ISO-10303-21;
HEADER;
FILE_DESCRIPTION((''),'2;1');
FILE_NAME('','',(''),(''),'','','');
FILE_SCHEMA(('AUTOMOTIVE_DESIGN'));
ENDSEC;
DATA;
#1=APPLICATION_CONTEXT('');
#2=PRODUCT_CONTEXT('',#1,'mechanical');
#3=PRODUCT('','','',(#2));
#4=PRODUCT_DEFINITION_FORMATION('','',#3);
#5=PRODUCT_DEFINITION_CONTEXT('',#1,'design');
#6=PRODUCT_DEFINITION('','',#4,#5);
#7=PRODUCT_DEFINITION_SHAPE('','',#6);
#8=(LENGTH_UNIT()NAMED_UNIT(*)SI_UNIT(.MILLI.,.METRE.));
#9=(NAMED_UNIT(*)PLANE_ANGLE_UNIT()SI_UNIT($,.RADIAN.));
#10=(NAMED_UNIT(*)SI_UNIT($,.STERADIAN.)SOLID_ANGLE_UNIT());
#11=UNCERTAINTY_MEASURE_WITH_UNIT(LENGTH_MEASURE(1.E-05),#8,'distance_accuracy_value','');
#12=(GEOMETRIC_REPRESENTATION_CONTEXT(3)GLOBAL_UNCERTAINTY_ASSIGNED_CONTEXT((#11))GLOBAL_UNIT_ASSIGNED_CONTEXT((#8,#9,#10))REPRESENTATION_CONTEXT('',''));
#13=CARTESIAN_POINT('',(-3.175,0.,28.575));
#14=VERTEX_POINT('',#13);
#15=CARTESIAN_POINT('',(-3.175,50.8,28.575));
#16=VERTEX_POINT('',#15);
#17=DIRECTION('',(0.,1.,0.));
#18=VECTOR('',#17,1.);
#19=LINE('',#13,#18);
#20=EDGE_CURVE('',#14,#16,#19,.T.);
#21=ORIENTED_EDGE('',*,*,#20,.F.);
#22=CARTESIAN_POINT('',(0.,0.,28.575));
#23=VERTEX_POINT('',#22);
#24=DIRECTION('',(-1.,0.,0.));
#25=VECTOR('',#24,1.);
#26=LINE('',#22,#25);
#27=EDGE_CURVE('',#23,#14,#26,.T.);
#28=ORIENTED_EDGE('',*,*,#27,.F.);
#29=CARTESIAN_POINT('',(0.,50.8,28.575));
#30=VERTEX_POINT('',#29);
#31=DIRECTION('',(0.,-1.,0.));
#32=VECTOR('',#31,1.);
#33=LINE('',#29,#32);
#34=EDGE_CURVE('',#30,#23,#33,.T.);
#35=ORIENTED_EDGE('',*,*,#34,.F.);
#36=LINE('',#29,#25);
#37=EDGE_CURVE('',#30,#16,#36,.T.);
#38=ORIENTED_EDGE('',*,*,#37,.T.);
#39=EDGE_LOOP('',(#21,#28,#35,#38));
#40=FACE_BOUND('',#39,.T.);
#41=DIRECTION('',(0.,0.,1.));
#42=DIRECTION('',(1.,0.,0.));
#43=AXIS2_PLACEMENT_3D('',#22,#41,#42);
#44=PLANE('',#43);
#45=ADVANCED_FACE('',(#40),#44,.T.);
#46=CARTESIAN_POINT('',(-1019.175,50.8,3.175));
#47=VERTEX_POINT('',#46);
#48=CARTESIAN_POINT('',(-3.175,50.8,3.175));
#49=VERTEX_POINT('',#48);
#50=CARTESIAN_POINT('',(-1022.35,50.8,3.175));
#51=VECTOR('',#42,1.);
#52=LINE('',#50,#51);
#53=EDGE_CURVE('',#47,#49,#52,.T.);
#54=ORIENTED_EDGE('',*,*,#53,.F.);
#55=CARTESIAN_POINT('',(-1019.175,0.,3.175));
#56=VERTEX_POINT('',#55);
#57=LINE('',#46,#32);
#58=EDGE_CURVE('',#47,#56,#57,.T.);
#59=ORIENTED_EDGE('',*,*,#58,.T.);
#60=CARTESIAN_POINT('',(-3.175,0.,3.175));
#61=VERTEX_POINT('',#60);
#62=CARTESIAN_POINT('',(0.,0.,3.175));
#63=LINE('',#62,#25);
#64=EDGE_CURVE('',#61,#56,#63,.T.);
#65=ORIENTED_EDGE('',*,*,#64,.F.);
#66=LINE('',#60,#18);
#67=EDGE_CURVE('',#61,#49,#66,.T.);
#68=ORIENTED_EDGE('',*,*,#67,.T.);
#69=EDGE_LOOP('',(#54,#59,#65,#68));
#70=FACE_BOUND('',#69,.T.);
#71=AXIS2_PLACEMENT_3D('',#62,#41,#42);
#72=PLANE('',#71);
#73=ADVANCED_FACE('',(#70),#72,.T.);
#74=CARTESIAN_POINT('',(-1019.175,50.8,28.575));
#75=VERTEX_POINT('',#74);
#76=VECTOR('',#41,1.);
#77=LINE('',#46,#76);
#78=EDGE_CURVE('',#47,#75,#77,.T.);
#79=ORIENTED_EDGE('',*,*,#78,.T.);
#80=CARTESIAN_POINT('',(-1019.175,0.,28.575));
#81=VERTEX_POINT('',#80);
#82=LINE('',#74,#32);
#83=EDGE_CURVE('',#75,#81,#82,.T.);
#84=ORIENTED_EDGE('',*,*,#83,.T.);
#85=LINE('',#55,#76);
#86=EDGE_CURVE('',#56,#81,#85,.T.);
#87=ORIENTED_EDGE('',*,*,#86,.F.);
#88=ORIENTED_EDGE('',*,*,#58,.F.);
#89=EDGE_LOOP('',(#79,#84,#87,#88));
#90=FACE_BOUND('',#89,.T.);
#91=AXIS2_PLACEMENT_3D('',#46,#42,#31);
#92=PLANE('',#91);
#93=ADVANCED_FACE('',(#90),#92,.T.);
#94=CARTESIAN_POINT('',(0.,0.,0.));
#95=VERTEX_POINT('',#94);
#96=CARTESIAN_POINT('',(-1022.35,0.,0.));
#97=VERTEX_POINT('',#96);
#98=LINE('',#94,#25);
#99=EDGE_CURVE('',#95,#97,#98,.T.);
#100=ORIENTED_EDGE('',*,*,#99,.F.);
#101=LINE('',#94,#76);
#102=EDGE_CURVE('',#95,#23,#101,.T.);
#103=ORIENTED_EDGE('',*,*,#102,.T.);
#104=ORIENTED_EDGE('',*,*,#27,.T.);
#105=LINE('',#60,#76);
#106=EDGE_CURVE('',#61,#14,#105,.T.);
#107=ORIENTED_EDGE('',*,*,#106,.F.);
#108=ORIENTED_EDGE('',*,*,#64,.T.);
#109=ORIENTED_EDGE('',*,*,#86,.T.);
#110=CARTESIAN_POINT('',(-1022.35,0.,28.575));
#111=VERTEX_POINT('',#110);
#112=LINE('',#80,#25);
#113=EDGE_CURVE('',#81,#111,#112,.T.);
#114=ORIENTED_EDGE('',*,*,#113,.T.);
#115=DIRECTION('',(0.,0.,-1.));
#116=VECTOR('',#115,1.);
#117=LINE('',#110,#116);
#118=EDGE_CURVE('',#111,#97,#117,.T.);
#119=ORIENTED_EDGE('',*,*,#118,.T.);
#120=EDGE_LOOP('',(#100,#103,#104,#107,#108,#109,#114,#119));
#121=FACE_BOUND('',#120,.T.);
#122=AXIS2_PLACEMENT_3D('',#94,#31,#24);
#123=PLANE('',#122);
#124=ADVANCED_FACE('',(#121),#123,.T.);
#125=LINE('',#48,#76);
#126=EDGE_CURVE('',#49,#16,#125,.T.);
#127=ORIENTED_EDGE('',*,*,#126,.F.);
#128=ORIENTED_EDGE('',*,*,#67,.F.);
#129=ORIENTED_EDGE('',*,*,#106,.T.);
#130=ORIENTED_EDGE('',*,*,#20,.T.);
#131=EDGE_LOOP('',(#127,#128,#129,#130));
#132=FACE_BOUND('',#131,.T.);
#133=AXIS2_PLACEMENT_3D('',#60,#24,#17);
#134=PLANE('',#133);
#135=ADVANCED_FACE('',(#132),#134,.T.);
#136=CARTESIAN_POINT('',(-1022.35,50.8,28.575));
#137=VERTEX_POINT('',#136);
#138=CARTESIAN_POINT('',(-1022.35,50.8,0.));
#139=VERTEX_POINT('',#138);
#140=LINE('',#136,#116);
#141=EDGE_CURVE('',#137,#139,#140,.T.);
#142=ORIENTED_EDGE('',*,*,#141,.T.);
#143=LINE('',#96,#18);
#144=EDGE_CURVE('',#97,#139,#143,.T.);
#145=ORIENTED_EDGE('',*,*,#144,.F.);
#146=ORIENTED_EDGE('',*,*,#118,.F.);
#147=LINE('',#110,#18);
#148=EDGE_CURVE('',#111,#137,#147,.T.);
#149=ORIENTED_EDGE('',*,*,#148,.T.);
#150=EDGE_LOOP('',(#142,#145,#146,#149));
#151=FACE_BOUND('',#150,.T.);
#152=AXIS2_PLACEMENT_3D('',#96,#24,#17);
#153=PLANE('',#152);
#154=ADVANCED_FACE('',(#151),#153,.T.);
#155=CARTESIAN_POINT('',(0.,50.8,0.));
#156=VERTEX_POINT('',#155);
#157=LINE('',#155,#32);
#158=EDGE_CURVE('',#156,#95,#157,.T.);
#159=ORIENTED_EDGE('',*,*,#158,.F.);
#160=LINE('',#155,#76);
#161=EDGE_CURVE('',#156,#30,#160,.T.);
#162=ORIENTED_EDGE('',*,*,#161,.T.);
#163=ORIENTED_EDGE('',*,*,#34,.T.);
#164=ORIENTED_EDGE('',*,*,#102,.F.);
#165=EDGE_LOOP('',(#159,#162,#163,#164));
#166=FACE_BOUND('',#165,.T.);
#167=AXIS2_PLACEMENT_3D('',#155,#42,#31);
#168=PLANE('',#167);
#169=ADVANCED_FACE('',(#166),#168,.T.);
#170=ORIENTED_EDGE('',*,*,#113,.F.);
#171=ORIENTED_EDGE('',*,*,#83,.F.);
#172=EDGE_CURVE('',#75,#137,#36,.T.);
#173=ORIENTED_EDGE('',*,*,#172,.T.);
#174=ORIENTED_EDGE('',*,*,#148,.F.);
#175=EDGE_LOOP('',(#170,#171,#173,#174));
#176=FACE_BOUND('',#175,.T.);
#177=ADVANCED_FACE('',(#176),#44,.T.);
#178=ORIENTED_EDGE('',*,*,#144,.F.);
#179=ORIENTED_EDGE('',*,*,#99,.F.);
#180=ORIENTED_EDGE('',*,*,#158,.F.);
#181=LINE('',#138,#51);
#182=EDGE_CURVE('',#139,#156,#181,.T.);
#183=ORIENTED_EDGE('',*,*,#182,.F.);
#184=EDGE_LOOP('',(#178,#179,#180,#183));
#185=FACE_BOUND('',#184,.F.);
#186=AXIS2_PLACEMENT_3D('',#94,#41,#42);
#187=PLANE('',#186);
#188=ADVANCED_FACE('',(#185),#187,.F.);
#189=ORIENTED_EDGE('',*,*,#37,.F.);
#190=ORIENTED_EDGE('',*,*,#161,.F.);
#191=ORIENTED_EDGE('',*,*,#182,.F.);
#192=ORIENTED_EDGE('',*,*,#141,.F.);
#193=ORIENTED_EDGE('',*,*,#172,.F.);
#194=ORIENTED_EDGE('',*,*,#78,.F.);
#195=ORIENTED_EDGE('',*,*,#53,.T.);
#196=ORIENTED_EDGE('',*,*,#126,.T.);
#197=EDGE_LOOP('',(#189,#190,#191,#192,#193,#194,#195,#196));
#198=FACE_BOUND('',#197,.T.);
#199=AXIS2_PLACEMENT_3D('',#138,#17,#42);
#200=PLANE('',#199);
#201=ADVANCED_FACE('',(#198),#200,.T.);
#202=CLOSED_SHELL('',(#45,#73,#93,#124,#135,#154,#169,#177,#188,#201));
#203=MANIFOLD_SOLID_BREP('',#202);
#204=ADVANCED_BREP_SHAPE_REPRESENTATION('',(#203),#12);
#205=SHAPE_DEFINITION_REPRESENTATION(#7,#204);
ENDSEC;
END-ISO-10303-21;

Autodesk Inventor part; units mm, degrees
ref_plane "YZ Plane" through (0, 0, 0) normal (1, 0, 0) x (0, 1, 0)
ref_plane "XZ Plane" through (0, 0, 0) normal (0, 1, 0) x (-1, 0, 0)
ref_plane "XY Plane" through (0, 0, 0) normal (0, 0, 1) x (1, 0, 0)
sketch "Sketch2" plane through (0, 0, 0) normal (0, 0, 1) x (1, 0, 0)
  line L0 (0, 0) -> (-1022.35, 0)
  line L1 (-1022.35, 0) -> (-1022.35, 50.8)
  line L2 (-1022.35, 50.8) -> (0, 50.8)
  line L3 (0, 50.8) -> (0, 0)
  dimension "d0" = 50.8
  dimension "d1" = 1022.35
extrude "Extrusion1" add sketch "Sketch2" along normal blind 3.175
sketch "Sketch3" plane through (0, 0, 3.175) normal (0, 0, 1) x (1, 0, 0)
  line L0 (0, 50.8) -> (-1022.35, 50.8) projected
  line L1 (0, 0) -> (-3.175, 0)
  line L2 (-3.175, 0) -> (-3.175, 50.8)
  line L3 (-3.175, 50.8) -> (0, 50.8)
  line L4 (0, 50.8) -> (0, 0)
  line L5 (-1022.35, 50.8) -> (-1019.175, 50.8)
  line L6 (-1019.175, 50.8) -> (-1019.175, 0)
  line L7 (-1019.175, 0) -> (-1022.35, 0)
  line L8 (-1022.35, 0) -> (-1022.35, 50.8)
  dimension "d4" = 3.175
  dimension "d5" = 3.175
extrude "Extrusion2" add sketch "Sketch3" along normal blind 25.4
sketch "Sketch4" plane through (0, 0, 3.175) normal (0, 0, 1) x (1, 0, 0)
  line L0 (-1019.175, 0) -> (-1019.175, 50.8)
  line L1 (-1019.175, 50.8) -> (-1019.175, 0) projected
  line L2 (-3.175, 0) -> (-3.175, 50.8)
  circle A0 centre (-892.175, 25.4) radius 6.2992
  circle A1 centre (-130.175, 25.4) radius 6.2992
  line L3 (-1019.175, 0) -> (-3.175, 0)
  line L4 (-1019.175, 0) -> (-3.175, 0) projected
  point P0 (0, 0)
  dimension "d8" = 12.5984
  dimension "d9" = 12.5984
  dimension "d10" = 25.4
  dimension "d11" = 127
  dimension "d12" = 127
  dimension "d13" = 25.4
properties part number "Bumpers"
